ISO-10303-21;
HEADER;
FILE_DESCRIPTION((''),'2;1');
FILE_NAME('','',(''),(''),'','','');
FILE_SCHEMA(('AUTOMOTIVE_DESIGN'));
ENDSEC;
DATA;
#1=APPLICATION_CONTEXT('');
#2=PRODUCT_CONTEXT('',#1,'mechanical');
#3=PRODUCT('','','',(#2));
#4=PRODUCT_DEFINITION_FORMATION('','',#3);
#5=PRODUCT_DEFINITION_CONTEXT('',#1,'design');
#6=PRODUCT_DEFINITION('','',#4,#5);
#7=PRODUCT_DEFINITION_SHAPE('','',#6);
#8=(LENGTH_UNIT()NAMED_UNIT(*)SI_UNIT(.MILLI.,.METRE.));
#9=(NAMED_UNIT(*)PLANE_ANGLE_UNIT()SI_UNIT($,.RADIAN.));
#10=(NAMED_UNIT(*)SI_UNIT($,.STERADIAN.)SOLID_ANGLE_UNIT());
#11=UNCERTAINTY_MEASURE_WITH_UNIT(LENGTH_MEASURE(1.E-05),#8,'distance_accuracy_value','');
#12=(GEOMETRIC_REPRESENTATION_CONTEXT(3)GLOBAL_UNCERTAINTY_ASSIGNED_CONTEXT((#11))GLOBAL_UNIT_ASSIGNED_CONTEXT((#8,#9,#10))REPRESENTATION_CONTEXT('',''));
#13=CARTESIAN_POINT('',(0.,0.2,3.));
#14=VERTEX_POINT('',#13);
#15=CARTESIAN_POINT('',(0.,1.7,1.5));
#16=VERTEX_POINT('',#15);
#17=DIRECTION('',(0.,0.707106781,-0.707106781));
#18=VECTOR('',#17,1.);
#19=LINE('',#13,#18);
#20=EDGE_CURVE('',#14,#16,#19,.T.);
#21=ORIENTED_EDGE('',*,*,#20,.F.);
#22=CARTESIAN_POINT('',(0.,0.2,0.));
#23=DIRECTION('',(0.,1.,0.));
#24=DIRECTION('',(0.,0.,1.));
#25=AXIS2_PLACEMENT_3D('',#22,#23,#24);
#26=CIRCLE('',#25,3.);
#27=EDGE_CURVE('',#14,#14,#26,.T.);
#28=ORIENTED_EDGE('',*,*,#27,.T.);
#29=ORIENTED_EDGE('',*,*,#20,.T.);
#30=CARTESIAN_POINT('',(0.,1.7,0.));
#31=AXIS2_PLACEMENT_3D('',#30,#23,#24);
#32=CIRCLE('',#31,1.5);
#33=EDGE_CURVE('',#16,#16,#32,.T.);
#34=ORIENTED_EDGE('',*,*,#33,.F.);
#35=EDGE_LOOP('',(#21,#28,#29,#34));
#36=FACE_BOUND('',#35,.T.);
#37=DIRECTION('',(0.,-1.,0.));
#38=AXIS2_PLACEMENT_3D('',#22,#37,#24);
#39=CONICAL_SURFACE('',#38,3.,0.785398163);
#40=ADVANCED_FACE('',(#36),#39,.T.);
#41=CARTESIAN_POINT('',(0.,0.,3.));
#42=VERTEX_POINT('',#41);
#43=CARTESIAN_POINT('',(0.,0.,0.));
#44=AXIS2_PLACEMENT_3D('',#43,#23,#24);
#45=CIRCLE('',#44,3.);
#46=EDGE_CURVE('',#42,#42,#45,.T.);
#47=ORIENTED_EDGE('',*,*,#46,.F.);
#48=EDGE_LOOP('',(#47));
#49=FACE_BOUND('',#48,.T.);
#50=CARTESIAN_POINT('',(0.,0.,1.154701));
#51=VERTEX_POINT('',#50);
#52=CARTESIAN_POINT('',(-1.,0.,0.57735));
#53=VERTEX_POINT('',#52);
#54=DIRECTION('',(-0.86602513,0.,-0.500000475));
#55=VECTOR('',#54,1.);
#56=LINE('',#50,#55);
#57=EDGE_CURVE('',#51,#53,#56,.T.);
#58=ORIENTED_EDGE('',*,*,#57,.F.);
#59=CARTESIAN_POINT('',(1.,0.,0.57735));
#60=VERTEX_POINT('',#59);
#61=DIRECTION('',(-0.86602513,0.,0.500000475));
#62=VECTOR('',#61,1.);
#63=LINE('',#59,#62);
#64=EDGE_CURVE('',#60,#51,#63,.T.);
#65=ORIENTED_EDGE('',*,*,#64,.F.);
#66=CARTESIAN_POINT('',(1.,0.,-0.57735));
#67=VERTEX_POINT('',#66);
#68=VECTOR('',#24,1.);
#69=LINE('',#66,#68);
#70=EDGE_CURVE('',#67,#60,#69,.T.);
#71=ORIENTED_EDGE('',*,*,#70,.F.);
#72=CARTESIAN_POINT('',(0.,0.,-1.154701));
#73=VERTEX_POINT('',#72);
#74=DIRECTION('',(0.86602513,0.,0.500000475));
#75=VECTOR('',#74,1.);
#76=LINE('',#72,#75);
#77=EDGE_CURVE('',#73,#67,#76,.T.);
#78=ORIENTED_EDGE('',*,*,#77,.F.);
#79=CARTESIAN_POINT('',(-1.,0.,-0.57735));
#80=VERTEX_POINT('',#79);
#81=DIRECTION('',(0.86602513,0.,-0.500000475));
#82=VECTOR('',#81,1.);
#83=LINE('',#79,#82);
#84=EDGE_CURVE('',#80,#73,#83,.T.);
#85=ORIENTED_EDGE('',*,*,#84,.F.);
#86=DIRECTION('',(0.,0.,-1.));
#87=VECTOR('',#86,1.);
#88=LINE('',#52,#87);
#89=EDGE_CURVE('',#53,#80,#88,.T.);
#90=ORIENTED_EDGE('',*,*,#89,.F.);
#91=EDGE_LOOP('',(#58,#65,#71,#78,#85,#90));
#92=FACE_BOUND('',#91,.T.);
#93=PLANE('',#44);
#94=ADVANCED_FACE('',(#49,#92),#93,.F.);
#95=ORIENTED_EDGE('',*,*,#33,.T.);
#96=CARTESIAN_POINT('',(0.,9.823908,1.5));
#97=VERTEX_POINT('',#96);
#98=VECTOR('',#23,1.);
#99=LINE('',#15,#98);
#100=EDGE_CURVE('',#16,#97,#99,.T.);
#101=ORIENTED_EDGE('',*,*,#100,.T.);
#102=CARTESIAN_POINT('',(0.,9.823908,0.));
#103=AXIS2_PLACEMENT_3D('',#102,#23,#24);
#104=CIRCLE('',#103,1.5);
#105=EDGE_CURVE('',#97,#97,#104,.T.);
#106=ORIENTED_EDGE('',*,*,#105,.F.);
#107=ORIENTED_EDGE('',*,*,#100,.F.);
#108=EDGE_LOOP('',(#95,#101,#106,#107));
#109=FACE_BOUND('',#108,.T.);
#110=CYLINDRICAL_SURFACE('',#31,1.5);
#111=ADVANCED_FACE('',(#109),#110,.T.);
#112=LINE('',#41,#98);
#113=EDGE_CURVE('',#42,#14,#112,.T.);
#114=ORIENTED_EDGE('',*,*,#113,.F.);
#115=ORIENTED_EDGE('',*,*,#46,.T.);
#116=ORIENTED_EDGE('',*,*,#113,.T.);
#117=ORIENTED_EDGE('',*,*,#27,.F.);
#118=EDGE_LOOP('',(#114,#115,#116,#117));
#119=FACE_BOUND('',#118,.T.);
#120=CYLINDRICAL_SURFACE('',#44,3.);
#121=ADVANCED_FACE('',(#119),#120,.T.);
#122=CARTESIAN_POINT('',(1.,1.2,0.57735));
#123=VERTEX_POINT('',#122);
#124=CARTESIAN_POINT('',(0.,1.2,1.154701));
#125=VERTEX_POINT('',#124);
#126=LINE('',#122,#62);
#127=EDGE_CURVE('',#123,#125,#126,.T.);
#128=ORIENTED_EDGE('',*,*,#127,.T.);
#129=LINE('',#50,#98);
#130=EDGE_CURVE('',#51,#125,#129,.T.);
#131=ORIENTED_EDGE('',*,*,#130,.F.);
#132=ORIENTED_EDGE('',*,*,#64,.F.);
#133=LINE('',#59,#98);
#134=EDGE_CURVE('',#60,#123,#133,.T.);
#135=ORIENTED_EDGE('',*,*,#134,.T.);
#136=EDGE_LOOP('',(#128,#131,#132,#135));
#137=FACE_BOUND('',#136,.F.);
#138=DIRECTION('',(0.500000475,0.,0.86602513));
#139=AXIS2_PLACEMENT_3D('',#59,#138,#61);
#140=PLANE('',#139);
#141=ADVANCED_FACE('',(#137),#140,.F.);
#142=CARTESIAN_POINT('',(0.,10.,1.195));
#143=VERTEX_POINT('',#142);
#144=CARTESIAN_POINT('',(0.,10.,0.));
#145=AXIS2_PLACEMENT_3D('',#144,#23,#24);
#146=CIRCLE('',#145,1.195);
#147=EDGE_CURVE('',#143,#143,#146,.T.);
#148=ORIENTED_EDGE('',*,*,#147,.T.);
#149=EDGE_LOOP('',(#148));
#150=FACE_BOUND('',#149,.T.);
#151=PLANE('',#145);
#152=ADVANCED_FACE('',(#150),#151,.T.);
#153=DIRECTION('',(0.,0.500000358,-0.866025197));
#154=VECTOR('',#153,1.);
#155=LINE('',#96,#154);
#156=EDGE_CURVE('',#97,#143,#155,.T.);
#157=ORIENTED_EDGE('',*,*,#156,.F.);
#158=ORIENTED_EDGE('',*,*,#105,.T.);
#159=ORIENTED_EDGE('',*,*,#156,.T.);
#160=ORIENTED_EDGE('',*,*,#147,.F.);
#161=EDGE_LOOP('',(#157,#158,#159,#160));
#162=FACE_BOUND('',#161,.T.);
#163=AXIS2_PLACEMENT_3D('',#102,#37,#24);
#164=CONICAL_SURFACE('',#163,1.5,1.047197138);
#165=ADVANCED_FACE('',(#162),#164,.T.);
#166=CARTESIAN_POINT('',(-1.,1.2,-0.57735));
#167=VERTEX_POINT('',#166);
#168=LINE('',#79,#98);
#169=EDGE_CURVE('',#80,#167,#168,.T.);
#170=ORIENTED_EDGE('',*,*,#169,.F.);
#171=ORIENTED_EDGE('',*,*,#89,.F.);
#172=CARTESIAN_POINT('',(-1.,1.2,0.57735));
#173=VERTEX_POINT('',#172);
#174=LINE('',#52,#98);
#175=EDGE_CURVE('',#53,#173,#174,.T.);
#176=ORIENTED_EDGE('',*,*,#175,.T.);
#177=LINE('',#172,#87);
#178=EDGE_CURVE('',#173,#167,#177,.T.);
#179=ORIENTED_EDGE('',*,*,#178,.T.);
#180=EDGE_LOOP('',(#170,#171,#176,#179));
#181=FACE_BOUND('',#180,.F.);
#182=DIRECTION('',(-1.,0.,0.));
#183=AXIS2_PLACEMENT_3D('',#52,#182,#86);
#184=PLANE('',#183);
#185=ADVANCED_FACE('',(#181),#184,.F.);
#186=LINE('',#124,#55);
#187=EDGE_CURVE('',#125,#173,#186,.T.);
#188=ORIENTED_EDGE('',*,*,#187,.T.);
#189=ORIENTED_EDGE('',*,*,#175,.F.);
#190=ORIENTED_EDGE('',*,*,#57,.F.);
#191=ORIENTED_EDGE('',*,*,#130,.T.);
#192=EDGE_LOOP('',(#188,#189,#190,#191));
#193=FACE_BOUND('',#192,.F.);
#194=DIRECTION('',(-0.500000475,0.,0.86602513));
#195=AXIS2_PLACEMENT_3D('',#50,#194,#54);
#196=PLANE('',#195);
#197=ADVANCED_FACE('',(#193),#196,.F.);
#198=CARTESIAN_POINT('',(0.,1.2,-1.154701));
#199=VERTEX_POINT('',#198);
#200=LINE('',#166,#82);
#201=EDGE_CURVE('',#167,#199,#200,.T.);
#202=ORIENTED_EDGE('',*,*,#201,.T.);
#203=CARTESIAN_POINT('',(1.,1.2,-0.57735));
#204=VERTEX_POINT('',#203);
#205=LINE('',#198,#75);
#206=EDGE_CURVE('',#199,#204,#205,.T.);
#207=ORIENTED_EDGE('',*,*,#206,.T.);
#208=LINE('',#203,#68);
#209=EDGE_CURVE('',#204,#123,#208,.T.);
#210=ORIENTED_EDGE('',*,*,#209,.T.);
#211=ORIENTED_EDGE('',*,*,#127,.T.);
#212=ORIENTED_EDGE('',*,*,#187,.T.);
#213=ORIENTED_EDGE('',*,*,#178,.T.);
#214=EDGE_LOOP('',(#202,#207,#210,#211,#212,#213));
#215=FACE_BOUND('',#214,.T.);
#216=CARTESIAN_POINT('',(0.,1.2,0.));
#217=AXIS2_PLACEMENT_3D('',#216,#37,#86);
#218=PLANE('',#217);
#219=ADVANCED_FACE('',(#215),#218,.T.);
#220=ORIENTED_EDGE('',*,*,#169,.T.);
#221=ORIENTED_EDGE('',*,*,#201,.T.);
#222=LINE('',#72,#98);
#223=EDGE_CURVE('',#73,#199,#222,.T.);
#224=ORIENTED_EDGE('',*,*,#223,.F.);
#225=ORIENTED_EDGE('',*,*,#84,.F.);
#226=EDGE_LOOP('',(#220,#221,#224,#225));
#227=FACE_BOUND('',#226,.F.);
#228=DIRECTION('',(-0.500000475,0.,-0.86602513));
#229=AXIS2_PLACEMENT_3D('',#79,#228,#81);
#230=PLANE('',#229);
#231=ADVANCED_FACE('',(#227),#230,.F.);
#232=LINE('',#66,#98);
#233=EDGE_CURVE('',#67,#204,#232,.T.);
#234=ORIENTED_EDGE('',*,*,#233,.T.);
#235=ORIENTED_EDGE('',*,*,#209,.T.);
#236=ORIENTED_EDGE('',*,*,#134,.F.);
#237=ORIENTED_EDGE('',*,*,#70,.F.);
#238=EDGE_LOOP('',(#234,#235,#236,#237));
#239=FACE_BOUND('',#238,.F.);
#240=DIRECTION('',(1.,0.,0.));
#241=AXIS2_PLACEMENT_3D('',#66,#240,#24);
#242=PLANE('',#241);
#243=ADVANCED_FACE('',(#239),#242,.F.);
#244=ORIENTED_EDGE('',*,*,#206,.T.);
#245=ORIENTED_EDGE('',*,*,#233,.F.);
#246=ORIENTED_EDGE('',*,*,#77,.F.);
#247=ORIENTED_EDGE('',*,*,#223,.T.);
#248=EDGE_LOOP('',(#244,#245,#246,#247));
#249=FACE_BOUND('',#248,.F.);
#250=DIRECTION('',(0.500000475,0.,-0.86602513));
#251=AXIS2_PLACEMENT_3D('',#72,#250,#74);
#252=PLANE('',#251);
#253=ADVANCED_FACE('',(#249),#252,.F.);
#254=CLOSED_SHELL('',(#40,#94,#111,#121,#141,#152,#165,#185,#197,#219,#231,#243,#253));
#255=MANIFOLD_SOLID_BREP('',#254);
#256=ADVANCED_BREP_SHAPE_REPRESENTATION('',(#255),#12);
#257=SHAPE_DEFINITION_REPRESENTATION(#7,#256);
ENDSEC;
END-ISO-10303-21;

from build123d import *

# Parameters (mm, degrees)
POCKET_DEPTH = 1.2


with BuildPart() as part:
    # Sketch → Revolution (revolve)
    with BuildSketch(Plane.YZ):
        Polygon((0, 0), (0, 3), (0.2, 3), (1.7, 1.5), (9.823908, 1.5), (10, 1.195), (10, 0), align=None)
    revolve(axis=Axis((0, 0, 0), (0, 1, 0)))

    # Sketch001 → Pocket (cut)
    with BuildSketch(Plane(origin=(0, 0, 0), x_dir=(0, 0, -1), z_dir=(0, -1, 0))):
        Polygon((0.57735, 1), (-0.57735, 1), (-1.154701, 0), (-0.57735, -1), (0.57735, -1), (1.154701, 0), align=None)
    extrude(amount=-POCKET_DEPTH, mode=Mode.SUBTRACT)


solid = part.part
